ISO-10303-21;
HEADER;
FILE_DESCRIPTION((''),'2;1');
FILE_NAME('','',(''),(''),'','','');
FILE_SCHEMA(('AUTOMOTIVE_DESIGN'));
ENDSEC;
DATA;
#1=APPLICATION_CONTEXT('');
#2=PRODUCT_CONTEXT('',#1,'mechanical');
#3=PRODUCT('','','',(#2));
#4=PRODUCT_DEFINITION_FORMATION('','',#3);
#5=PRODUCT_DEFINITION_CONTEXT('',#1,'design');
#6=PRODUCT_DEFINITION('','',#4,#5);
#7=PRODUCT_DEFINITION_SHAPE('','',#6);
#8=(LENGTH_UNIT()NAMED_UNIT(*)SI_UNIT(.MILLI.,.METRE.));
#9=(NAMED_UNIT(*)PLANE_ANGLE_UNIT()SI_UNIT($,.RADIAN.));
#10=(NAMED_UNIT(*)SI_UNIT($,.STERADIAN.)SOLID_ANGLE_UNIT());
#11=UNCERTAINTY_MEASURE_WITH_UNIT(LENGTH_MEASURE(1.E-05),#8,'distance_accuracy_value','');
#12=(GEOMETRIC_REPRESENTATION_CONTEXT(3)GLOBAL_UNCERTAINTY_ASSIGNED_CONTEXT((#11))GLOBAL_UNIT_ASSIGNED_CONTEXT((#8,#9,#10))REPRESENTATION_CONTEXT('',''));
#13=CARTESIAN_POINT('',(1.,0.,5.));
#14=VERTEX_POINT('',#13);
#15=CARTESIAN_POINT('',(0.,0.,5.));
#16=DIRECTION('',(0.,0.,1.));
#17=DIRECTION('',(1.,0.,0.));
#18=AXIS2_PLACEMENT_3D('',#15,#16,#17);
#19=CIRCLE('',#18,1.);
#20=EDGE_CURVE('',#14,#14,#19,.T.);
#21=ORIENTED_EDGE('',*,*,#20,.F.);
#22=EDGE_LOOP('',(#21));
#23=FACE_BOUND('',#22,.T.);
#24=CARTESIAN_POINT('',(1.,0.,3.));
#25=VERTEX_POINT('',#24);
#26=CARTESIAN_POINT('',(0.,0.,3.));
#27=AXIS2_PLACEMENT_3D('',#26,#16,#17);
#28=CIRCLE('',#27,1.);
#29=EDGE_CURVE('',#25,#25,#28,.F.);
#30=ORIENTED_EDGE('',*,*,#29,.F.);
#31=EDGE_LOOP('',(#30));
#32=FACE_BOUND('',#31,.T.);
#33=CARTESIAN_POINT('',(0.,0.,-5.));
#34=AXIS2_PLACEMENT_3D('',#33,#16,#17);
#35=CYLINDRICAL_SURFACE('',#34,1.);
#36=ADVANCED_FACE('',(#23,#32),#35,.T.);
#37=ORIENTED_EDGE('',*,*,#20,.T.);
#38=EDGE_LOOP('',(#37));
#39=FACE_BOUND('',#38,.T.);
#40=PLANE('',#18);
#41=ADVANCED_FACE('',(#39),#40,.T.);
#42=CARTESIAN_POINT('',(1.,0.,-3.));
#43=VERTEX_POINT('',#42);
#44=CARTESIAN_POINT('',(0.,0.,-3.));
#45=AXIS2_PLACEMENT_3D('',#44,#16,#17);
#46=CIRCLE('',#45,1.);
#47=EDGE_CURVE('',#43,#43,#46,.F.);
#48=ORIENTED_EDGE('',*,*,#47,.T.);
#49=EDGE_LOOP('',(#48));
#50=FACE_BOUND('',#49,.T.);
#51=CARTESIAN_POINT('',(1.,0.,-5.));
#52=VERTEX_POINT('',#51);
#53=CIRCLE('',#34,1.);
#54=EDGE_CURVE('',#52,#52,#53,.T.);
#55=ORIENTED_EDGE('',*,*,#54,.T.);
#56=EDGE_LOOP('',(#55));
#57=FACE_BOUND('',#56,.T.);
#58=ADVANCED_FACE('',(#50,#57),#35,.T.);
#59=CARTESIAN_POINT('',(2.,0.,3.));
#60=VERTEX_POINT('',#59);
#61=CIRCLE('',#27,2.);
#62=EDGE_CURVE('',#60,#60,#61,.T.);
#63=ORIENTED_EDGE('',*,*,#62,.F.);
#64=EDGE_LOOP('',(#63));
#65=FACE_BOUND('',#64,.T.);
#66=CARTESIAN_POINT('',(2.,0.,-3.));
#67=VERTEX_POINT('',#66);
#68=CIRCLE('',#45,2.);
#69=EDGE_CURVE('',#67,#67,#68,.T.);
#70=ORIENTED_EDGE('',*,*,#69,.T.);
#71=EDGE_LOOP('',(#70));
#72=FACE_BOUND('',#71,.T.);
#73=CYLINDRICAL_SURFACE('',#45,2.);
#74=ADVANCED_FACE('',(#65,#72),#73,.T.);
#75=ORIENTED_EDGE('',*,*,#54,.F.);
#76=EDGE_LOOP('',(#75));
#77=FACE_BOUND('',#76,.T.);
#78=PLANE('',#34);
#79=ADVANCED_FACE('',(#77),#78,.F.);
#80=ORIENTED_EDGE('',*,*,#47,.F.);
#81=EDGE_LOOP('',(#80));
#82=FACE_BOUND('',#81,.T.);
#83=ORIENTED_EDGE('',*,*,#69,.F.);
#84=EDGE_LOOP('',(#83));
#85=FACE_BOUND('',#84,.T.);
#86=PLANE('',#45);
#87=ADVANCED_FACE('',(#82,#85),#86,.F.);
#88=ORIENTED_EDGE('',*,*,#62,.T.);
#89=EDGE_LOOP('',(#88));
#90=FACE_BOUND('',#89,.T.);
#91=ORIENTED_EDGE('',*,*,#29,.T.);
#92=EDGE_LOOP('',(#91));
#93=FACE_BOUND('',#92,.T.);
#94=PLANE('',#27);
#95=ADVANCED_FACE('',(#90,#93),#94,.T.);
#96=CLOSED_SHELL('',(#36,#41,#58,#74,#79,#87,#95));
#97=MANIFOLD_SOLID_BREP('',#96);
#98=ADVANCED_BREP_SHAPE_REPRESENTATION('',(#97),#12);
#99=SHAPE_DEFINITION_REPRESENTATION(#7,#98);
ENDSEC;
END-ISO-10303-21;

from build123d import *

# Parameters (mm, degrees)
SALIENTE_EXTRUIR1_DEPTH      = 5
SALIENTE_EXTRUIR1_DEPTH_BACK = 5
CROQUIS1_R                   = 1
SALIENTE_EXTRUIR2_DEPTH      = 3
SALIENTE_EXTRUIR2_DEPTH_BACK = 3
CROQUIS2_R                   = 2


with BuildPart() as part:
    # Croquis1 → Saliente-Extruir1 (new, two sides: drawn at the far end of the back side and taken through both)
    with BuildSketch(Plane.XY.offset(-SALIENTE_EXTRUIR1_DEPTH_BACK)):
        Circle(CROQUIS1_R)
    extrude(amount=SALIENTE_EXTRUIR1_DEPTH + SALIENTE_EXTRUIR1_DEPTH_BACK)

    # Croquis2 → Saliente-Extruir2 (add, two sides: drawn at the far end of the back side and taken through both)
    with BuildSketch(Plane.XY.offset(-SALIENTE_EXTRUIR2_DEPTH_BACK)):
        Circle(CROQUIS2_R)
    extrude(amount=SALIENTE_EXTRUIR2_DEPTH + SALIENTE_EXTRUIR2_DEPTH_BACK)


solid = part.part
